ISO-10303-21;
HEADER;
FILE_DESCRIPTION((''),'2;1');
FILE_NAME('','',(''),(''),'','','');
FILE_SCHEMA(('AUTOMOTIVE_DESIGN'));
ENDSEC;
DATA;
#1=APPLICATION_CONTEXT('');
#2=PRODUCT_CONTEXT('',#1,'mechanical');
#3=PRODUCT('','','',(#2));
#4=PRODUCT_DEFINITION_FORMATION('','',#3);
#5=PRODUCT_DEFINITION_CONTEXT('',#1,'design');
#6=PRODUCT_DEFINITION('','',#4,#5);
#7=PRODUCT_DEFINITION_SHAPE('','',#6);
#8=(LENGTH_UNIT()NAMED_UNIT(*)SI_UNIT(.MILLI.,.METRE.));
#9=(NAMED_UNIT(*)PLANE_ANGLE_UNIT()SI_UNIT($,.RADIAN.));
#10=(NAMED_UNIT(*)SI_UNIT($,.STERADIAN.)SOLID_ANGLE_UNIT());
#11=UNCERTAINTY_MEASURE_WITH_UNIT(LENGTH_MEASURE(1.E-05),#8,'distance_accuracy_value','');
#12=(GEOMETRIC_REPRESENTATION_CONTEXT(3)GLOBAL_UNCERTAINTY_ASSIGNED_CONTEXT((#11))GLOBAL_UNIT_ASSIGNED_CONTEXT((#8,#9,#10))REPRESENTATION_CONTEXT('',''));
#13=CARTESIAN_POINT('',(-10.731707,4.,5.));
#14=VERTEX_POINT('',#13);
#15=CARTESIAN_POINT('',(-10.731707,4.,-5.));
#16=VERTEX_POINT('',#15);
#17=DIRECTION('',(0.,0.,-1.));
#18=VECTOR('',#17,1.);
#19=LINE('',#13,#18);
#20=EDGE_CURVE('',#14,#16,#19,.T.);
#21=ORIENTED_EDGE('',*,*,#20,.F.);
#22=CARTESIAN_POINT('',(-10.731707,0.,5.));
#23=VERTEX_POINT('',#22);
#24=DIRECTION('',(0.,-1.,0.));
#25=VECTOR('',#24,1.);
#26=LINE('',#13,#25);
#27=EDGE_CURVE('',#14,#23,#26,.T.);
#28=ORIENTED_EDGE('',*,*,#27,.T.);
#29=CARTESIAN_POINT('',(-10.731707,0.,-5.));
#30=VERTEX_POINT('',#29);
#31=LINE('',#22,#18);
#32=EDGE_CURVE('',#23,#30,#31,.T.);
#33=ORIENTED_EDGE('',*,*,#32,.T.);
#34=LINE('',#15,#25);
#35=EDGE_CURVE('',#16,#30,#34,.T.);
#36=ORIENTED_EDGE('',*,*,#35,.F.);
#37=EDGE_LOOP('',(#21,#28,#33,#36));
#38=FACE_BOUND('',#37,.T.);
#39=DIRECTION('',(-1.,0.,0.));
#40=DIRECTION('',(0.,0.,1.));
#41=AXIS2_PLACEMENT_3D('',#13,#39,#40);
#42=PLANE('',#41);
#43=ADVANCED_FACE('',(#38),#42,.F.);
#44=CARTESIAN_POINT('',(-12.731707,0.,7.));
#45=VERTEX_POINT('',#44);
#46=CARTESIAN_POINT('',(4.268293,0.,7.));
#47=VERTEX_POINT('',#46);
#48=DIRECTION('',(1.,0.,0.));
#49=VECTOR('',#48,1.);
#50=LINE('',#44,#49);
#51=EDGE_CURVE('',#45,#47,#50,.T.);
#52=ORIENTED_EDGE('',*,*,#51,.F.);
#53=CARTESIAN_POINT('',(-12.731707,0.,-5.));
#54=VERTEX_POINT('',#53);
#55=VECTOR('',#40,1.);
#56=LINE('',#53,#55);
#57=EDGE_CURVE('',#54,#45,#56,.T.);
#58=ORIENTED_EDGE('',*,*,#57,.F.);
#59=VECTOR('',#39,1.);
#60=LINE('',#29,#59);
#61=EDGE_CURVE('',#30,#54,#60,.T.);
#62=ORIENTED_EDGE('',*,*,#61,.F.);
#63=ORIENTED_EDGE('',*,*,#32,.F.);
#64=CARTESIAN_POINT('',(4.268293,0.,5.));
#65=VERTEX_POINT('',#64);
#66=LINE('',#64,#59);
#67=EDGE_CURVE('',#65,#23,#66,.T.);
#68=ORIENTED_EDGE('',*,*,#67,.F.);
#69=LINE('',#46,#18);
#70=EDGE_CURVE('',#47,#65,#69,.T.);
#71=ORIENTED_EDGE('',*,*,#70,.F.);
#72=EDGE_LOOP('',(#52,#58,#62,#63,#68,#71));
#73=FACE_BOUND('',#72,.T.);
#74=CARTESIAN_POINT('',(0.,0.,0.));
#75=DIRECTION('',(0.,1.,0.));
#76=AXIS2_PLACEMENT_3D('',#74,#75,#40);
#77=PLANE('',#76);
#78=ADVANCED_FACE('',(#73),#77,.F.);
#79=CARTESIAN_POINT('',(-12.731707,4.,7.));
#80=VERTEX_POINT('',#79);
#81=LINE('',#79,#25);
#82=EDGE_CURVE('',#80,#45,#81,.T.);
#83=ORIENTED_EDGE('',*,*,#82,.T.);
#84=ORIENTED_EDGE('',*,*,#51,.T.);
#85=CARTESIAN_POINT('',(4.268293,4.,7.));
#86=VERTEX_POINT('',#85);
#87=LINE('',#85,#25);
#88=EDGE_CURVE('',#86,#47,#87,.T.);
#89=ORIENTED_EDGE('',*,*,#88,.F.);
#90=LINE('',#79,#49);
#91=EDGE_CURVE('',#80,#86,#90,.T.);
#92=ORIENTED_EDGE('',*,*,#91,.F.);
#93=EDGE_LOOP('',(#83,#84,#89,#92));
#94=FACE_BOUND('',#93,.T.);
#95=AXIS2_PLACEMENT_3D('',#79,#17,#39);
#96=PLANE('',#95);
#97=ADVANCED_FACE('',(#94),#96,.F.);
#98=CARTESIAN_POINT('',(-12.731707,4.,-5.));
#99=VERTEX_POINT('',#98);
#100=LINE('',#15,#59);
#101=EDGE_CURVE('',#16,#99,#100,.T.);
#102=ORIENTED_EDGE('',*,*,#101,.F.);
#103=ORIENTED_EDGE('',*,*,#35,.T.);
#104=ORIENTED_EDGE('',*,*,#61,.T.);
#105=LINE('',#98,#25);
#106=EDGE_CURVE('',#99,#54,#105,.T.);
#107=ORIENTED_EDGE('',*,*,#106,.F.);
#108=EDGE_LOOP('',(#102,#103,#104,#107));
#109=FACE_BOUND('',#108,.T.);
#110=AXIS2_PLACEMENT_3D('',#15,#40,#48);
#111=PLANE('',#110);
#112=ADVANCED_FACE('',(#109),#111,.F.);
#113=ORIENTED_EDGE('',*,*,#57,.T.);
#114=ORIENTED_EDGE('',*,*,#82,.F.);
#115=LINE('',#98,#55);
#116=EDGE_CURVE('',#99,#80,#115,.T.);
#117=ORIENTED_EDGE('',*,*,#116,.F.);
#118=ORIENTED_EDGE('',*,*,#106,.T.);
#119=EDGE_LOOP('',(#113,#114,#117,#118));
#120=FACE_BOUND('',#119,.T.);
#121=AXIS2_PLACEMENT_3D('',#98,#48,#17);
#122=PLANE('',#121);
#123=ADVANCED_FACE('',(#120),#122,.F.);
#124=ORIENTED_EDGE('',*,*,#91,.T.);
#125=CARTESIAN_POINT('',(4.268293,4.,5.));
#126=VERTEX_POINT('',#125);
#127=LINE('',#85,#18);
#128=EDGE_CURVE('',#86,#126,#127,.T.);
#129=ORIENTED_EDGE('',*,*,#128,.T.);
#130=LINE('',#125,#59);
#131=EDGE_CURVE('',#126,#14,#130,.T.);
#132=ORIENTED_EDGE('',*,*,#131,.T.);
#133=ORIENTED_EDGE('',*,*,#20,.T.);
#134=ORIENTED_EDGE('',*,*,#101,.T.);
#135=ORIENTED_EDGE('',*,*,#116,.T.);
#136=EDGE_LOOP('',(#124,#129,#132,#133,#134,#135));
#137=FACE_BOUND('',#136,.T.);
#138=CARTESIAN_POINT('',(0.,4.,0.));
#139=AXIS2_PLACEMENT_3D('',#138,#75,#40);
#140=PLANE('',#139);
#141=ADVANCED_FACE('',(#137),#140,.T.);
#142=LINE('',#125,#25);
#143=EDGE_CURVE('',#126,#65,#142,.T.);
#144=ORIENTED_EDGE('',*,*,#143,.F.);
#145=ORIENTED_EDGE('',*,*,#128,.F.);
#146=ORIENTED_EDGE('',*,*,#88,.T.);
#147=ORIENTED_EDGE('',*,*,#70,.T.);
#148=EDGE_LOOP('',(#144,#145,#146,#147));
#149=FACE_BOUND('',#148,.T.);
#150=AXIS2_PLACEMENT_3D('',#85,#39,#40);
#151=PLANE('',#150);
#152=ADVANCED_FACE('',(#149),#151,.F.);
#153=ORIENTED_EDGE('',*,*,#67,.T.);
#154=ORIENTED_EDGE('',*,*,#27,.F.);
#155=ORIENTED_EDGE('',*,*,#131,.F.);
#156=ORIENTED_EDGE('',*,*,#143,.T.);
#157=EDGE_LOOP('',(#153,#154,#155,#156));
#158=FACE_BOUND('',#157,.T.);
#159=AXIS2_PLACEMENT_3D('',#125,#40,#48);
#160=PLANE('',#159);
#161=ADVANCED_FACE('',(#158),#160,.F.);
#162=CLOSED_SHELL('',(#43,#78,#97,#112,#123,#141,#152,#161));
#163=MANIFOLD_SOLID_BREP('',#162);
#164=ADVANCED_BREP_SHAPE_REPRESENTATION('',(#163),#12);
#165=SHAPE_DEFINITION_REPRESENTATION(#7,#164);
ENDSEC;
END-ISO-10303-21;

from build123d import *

# Parameters (mm, degrees)
BOSS_EXTRUDE1_DEPTH = 4


with BuildPart() as part:
    # Sketch2 → Boss-Extrude1 (new body)
    with BuildSketch(Plane(origin=(0, 0, 0), x_dir=(1, 0, 0), z_dir=(0, 1, 0))):
        Polygon((-12.731707317, 5), (-12.731707317, -7), (4.268292683, -7), (4.268292683, -5), (-10.731707317, -5), (-10.731707317, 5), align=None)
    extrude(amount=BOSS_EXTRUDE1_DEPTH)


solid = part.part
